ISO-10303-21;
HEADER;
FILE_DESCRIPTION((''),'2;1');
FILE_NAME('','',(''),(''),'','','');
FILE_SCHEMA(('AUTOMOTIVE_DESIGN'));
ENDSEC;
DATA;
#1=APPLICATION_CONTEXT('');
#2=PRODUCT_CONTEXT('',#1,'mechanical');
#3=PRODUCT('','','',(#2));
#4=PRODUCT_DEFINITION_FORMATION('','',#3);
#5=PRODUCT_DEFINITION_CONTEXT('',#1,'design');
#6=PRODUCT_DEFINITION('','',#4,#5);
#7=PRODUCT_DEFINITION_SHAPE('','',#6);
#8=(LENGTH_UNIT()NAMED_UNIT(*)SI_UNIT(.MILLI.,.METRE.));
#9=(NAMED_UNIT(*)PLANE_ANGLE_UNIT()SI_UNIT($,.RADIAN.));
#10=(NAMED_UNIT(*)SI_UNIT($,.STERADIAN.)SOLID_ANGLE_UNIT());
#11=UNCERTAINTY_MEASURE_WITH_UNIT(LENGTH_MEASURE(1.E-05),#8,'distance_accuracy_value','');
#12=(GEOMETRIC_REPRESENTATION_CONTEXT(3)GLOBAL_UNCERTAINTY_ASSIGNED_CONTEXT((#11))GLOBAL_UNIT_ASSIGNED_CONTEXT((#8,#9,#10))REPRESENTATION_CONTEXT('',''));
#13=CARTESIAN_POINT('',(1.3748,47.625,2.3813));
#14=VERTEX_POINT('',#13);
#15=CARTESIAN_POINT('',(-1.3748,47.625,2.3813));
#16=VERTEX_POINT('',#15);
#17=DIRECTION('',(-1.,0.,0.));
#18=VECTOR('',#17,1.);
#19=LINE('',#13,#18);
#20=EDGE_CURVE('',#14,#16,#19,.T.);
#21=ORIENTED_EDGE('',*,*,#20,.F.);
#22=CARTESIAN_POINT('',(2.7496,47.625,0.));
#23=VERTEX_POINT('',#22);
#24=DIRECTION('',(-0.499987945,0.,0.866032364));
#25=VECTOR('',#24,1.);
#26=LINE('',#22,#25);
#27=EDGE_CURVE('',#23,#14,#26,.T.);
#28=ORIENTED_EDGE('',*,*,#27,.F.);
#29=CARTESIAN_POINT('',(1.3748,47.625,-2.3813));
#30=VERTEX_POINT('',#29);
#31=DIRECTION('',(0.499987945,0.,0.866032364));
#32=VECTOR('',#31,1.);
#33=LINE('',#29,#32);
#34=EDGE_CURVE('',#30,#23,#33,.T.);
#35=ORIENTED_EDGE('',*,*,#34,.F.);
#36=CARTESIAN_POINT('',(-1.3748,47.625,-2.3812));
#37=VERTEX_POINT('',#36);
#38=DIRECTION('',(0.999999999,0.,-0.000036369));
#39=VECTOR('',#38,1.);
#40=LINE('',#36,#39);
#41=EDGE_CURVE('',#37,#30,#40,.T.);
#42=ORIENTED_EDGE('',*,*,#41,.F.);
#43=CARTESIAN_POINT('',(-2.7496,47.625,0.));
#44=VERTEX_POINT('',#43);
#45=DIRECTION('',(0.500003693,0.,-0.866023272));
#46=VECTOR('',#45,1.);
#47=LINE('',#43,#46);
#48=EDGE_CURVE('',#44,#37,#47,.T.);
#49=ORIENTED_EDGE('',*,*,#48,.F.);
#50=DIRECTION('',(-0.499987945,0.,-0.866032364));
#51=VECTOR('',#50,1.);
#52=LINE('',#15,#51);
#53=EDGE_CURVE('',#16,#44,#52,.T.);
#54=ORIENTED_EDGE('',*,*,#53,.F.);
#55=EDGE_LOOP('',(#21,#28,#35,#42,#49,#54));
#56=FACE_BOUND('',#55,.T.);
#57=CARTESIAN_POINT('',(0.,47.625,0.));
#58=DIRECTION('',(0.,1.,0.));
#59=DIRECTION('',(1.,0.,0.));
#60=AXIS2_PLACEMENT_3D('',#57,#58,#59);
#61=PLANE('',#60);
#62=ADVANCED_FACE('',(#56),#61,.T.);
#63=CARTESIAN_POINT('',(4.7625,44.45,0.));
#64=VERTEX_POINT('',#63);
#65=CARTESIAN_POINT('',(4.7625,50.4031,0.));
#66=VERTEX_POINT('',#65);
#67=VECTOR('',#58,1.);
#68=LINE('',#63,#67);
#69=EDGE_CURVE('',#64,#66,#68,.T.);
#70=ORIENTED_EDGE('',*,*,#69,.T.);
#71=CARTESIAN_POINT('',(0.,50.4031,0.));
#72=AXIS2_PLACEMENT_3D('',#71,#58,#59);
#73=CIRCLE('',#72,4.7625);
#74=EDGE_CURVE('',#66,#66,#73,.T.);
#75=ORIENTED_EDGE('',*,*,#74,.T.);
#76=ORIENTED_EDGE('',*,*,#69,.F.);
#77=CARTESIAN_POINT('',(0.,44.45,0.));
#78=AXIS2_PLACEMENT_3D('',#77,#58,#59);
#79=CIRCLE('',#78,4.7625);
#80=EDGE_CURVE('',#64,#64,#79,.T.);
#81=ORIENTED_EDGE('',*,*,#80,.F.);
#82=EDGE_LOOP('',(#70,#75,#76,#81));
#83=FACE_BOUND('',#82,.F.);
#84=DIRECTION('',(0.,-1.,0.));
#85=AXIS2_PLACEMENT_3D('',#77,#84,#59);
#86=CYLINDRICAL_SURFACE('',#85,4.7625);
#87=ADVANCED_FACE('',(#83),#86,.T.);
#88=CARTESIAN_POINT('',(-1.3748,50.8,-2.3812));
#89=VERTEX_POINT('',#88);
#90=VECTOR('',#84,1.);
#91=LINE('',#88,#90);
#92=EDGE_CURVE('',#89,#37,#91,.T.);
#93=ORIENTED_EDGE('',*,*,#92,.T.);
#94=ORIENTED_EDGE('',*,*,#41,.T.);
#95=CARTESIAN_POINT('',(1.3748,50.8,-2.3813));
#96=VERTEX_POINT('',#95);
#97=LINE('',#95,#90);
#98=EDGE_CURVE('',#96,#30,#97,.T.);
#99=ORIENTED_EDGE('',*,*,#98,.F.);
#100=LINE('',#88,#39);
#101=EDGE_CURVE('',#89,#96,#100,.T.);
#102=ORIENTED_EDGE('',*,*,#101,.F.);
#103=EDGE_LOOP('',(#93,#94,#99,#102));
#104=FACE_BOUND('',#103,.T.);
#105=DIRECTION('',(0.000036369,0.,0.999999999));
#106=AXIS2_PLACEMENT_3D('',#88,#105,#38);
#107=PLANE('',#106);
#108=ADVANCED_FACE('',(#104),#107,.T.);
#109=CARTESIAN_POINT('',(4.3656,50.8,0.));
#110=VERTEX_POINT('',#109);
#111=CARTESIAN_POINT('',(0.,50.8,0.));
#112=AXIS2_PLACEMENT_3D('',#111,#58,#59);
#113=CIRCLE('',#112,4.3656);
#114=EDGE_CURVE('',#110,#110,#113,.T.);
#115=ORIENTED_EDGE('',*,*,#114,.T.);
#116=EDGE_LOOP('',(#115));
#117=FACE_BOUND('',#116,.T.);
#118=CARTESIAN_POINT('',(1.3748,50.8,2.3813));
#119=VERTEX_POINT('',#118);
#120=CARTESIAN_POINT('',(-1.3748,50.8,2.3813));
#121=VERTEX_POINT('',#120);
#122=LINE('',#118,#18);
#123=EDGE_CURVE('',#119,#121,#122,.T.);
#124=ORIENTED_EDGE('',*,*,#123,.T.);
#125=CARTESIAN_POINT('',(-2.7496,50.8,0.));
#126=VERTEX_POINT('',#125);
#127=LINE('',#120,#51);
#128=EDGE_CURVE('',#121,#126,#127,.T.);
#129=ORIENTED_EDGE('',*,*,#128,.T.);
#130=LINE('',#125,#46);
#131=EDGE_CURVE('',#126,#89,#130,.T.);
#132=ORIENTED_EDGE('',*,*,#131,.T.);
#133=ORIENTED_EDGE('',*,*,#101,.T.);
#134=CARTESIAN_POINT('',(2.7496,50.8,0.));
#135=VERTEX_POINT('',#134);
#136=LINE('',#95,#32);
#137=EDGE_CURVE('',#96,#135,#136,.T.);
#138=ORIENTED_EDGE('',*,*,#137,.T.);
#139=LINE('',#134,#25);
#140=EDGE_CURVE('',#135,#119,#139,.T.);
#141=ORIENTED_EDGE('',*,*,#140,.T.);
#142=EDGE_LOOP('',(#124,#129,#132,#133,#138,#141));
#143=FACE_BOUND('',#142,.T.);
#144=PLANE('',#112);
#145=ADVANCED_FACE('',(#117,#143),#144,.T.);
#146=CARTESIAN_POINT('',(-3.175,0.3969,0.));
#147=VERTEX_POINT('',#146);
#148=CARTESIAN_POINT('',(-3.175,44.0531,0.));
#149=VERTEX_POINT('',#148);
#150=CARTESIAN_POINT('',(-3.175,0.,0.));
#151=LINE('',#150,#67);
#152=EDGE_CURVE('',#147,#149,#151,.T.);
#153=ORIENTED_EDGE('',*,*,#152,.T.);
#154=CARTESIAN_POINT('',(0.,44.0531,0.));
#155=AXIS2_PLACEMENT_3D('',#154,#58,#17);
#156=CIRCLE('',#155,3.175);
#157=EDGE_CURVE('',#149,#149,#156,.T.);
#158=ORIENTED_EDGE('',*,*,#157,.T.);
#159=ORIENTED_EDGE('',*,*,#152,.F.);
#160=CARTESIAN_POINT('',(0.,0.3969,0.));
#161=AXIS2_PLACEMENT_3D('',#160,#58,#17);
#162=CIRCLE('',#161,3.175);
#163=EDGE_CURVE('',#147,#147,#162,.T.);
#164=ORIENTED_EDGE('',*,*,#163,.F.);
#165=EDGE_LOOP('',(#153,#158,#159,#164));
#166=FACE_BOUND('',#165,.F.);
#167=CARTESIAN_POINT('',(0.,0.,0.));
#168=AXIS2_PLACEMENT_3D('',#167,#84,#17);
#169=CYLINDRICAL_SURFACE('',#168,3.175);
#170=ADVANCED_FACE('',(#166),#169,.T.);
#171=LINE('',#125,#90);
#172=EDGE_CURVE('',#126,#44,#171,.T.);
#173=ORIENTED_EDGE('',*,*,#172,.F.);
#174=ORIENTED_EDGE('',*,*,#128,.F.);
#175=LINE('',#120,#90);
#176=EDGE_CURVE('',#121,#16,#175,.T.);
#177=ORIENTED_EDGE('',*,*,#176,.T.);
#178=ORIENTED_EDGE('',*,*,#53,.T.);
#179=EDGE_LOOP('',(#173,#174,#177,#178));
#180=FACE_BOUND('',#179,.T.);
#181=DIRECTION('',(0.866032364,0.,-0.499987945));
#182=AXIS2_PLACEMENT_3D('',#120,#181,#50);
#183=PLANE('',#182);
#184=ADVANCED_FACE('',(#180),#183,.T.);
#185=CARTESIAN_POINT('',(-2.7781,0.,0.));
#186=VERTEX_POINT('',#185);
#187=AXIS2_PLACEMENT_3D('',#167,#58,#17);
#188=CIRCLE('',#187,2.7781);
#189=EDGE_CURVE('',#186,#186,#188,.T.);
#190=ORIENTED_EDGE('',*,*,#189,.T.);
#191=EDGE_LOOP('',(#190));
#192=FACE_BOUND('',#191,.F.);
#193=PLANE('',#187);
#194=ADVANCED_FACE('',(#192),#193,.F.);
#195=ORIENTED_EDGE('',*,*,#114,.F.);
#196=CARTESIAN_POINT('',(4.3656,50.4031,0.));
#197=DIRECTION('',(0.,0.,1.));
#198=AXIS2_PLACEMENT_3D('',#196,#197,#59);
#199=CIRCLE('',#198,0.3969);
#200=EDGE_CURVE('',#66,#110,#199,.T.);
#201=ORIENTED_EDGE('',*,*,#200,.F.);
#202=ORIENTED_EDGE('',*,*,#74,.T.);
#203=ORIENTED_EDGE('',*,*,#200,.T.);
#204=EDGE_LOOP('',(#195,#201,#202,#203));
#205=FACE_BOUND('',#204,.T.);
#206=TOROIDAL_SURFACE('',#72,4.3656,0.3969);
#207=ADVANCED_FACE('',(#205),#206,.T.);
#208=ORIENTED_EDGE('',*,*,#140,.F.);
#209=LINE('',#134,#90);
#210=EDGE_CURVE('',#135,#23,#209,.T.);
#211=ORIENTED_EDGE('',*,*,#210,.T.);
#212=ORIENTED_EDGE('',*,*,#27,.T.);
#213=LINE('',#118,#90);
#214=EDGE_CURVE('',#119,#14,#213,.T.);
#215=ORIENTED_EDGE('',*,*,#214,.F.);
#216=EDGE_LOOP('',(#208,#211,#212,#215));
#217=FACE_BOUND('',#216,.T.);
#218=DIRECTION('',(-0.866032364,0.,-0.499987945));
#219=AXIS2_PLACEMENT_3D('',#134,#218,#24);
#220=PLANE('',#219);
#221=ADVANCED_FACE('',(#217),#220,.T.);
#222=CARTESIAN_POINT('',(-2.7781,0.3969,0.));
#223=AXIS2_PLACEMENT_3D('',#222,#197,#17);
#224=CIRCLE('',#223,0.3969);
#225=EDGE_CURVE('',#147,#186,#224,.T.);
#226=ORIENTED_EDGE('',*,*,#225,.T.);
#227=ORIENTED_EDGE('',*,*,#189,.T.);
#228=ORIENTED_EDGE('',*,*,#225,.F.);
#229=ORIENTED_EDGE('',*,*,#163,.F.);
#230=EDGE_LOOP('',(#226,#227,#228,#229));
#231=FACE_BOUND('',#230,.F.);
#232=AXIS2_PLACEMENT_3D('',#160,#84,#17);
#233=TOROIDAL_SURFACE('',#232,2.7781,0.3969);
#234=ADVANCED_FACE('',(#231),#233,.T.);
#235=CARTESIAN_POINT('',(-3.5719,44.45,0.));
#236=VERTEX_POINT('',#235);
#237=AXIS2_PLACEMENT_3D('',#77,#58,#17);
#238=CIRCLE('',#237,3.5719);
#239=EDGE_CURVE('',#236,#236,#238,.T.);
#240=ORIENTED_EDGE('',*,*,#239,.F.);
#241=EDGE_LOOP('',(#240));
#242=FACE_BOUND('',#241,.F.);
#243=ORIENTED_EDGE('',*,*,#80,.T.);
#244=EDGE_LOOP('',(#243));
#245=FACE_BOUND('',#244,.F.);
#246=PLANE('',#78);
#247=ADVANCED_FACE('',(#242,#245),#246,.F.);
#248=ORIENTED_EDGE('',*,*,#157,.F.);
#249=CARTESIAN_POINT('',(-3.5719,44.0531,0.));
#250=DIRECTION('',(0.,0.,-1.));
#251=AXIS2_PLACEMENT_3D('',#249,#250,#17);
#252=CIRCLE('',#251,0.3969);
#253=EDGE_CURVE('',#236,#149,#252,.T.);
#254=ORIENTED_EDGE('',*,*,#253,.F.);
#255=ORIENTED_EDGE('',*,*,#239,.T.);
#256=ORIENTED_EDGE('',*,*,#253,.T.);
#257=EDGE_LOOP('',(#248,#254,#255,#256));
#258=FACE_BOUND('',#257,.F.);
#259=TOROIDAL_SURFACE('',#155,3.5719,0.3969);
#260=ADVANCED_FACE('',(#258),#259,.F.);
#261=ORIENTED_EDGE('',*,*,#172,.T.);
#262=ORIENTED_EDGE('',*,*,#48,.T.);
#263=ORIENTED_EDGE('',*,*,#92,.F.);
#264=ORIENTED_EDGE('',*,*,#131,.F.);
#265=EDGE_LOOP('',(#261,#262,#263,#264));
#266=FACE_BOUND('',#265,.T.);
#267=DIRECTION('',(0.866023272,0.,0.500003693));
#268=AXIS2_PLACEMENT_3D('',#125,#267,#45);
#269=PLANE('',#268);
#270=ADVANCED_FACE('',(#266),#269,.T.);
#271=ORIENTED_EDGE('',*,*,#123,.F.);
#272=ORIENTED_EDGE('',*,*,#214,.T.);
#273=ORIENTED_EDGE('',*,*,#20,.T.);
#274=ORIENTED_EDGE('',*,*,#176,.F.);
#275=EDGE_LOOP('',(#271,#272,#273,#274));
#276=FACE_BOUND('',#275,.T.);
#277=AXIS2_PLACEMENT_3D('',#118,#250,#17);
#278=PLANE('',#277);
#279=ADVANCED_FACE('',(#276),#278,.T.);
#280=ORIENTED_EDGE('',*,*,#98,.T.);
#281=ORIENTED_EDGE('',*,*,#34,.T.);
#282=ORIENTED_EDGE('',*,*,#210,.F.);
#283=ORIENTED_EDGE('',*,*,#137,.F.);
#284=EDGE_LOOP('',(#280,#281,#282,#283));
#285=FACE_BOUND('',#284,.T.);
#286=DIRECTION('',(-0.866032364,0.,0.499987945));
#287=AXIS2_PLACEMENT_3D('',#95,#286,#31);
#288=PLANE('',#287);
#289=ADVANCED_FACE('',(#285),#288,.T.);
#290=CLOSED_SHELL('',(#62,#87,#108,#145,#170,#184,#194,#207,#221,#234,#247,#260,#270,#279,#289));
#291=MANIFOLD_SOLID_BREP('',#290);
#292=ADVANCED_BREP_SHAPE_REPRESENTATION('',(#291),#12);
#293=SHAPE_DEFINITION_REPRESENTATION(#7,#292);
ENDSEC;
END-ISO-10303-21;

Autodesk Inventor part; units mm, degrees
ref_plane "YZ Plane" through (0, 0, 0) normal (1, 0, 0) x (0, 1, 0)
ref_plane "XZ Plane" through (0, 0, 0) normal (0, 1, 0) x (-1, 0, 0)
ref_plane "XY Plane" through (0, 0, 0) normal (0, 0, 1) x (1, 0, 0)
sketch "Sketch1" plane through (0, 0, 0) normal (0, 1, 0) x (-1, 0, 0)
  circle A0 centre (0, 0) radius 3.175
  dimension "d0" = 6.35
extrude "Extrusion1" add sketch "Sketch1" along normal blind 44.45
sketch "Sketch2" plane through (0, 44.45, 0) normal (0, 1, 0) x (1, 0, 0)
  circle A0 centre (0, 0) radius 3.175 projected
  circle A1 centre (0, 0) radius 4.7625
  dimension "d3" = 9.525
extrude "Extrusion2" add sketch "Sketch2" along normal blind 6.35 contours A0 | A1
sketch "Sketch3" plane through (0, 50.8, 0) normal (0, 1, 0) x (1, 0, 0)
  circle A0 centre (0, 0) radius 4.7625 projected
  line L0 (-1.3748, 2.3812) -> (1.3748, 2.3813)
  line L1 (1.3748, 2.3813) -> (2.7496, 0)
  line L2 (2.7496, 0) -> (1.3748, -2.3813)
  line L3 (1.3748, -2.3813) -> (-1.3748, -2.3813)
  line L4 (-1.3748, -2.3813) -> (-2.7496, 0)
  line L5 (-2.7496, 0) -> (-1.3748, 2.3812)
  dimension "d6" = 4.7625
extrude "Extrusion3" cut sketch "Sketch3" against normal blind 3.175 contours L0 L1 L2 L3 L4 L5
fillet "Fillet1" radius 0.3969 3 edges at (3.175, 44.45, 0) (-4.7625, 50.8, 0) (3.175, 0, 0)
properties part number "Bolt_0.25_20_1.75len_SocketHead" material "Stainless Steel, Austenitic"
